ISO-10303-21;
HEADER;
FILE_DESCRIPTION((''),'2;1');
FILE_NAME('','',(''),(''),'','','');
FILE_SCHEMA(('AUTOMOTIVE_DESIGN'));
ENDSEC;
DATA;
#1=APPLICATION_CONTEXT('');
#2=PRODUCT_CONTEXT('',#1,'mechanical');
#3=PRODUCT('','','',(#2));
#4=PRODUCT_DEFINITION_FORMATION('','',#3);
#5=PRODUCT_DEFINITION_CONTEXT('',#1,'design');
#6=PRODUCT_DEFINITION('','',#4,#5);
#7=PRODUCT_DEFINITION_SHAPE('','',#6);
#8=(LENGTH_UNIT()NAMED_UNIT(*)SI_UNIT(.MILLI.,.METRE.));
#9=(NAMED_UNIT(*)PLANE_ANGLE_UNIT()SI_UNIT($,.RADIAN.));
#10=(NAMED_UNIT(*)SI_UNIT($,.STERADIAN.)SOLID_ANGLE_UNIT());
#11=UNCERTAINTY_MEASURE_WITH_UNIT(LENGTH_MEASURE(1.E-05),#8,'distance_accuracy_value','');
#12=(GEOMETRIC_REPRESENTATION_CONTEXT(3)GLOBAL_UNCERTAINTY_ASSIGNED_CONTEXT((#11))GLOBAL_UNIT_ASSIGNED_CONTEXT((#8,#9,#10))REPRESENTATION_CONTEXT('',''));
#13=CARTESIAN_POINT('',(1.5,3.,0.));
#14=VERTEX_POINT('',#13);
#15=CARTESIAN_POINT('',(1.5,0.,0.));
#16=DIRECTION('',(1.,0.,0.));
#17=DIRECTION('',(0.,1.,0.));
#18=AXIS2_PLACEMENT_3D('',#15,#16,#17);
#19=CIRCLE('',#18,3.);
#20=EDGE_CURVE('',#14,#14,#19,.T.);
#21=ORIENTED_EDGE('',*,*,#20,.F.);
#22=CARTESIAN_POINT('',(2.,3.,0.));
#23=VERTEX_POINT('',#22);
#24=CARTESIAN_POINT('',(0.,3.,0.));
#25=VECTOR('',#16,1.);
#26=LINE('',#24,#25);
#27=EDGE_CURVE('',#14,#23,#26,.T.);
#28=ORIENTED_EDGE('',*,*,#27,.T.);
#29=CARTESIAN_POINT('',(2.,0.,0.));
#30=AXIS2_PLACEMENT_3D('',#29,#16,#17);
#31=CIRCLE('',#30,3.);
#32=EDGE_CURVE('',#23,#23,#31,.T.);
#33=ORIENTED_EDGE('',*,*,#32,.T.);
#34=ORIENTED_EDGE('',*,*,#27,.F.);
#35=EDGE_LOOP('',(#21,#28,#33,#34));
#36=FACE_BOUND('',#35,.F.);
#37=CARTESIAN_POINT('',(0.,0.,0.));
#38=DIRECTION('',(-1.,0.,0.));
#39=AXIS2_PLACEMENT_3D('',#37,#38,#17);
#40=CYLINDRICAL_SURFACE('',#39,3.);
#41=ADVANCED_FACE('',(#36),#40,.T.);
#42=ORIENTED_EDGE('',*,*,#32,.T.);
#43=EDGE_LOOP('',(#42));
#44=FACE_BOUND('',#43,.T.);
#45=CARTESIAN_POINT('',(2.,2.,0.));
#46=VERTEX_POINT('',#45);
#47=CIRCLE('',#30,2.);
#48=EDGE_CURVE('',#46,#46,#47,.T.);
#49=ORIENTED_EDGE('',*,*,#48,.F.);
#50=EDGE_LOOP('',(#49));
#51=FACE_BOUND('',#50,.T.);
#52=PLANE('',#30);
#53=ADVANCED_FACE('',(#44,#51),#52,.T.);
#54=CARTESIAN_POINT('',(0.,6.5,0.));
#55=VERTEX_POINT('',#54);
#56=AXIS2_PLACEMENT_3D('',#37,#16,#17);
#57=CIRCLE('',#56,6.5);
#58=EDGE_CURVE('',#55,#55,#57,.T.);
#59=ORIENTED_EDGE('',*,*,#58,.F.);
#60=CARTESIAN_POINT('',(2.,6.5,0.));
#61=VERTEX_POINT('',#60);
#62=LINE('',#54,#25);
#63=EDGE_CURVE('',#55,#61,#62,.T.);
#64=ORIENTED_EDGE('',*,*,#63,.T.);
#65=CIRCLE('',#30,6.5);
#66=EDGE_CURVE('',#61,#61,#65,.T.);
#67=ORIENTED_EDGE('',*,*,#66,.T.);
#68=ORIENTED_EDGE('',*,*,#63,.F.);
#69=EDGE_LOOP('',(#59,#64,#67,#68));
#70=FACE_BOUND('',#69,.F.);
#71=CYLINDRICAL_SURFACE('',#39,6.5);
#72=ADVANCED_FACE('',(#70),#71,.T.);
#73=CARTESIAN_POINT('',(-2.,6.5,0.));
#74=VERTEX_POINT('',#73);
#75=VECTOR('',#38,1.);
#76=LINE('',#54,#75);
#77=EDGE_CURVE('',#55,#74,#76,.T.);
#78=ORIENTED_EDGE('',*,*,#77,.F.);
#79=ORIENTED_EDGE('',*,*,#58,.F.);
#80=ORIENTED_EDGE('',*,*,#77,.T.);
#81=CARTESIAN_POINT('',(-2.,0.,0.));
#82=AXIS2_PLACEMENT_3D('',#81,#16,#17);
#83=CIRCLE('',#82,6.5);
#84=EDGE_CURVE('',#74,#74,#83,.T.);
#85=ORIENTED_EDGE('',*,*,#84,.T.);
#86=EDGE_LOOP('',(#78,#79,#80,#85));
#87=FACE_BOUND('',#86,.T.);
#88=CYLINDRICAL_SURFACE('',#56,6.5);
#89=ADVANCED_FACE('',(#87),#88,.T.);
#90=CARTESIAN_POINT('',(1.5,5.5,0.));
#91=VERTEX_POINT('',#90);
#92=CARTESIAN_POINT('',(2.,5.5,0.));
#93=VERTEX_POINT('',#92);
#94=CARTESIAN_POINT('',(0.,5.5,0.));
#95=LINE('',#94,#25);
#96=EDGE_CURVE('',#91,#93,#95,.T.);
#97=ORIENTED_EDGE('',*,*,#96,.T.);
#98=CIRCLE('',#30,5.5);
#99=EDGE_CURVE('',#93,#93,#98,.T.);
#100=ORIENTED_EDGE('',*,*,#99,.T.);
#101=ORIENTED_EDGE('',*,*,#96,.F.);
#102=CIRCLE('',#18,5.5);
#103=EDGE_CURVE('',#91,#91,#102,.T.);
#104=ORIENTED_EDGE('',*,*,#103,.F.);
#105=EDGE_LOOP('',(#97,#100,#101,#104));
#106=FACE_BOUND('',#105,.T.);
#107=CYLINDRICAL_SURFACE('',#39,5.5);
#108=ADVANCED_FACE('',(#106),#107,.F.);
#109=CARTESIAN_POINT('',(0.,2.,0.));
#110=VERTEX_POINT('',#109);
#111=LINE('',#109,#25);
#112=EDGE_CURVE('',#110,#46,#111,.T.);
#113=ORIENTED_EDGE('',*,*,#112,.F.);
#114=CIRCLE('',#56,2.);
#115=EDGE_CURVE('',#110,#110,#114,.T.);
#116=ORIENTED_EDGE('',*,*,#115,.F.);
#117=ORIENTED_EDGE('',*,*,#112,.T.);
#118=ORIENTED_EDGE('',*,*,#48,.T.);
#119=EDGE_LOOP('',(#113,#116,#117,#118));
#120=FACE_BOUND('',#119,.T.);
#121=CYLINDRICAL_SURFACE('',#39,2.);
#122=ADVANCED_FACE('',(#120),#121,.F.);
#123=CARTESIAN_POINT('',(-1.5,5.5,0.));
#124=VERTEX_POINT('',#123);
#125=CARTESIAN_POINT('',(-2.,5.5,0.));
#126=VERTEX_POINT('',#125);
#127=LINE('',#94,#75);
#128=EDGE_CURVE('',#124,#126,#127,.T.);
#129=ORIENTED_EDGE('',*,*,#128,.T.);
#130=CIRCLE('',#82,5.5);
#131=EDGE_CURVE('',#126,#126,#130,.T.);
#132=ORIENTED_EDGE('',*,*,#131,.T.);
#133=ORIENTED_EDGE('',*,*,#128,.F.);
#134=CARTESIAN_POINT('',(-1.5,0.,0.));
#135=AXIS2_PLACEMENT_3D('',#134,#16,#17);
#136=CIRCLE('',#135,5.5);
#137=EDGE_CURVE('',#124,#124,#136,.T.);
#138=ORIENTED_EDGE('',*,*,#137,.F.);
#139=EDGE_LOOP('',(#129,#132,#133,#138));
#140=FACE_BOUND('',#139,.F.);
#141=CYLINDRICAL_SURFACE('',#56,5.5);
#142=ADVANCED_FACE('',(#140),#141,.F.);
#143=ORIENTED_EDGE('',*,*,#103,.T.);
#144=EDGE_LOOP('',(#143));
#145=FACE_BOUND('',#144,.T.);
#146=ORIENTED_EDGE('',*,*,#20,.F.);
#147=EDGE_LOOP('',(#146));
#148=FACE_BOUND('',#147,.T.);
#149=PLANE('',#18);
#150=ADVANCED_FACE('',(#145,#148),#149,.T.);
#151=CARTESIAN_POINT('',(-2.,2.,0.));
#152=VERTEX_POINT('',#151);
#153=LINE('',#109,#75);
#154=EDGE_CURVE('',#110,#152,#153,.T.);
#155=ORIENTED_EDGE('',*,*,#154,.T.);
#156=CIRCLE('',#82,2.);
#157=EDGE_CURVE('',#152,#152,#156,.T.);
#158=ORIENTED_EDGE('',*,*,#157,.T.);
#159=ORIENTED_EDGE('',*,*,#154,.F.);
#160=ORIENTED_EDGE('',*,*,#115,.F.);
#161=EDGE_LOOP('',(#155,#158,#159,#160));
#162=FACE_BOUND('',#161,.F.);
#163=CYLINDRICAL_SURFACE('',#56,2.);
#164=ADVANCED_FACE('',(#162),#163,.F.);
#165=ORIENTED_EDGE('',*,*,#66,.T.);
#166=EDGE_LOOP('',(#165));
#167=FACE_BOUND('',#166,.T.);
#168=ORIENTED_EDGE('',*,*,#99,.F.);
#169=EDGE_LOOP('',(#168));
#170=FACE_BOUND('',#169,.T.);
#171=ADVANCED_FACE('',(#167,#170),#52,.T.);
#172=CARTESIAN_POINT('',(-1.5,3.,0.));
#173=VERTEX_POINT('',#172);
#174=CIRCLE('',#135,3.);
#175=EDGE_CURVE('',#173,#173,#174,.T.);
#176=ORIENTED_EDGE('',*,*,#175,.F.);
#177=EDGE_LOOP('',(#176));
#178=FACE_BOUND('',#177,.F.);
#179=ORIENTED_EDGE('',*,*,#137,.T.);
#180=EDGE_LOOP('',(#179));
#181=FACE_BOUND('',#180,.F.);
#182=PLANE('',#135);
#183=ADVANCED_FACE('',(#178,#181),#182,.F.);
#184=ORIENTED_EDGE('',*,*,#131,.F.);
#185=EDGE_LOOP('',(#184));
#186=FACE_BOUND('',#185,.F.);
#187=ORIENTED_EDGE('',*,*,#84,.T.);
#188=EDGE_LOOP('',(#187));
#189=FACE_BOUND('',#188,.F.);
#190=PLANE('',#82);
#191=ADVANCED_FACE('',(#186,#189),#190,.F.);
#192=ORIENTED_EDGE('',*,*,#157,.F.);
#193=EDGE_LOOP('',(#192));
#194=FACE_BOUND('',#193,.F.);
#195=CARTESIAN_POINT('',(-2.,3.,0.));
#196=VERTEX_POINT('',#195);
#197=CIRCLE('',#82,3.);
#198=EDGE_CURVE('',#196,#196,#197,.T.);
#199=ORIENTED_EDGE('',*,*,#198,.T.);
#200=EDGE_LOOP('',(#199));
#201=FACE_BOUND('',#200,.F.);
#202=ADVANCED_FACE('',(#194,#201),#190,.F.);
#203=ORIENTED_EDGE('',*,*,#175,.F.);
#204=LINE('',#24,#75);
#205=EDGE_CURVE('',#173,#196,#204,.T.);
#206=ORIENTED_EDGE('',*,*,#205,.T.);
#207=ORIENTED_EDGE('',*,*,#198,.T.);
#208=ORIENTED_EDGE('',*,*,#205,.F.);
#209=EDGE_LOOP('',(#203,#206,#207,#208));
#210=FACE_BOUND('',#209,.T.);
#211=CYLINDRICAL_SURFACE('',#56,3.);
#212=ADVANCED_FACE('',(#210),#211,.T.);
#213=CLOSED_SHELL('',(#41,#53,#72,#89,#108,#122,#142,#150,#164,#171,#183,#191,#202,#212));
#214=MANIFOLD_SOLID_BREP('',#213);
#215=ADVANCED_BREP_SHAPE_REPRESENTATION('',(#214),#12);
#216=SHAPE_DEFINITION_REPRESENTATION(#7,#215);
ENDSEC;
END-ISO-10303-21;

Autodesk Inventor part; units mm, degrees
ref_plane "YZ Plane" through (0, 0, 0) normal (1, 0, 0) x (0, 1, 0)
ref_plane "XZ Plane" through (0, 0, 0) normal (0, 1, 0) x (-1, 0, 0)
ref_plane "XY Plane" through (0, 0, 0) normal (0, 0, 1) x (1, 0, 0)
sketch "Эскиз1" plane through (0, 0, 0) normal (1, 0, 0) x (0, 1, 0)
  circle A0 centre (0, 0) radius 2
  circle A1 centre (0, 0) radius 6.5
  circle A2 centre (0, 0) radius 3
  circle A3 centre (0, 0) radius 5.5
  dimension "d0" = 4
  dimension "d1" = 13
  dimension "d2" = 1
  dimension "d3" = 1
extrude "Выдавливание1" add sketch "Эскиз1" along normal mid plane 4
extrude "Выдавливание2" add sketch "Эскиз1" along normal mid plane 3 contours A3
properties part number "roller"
